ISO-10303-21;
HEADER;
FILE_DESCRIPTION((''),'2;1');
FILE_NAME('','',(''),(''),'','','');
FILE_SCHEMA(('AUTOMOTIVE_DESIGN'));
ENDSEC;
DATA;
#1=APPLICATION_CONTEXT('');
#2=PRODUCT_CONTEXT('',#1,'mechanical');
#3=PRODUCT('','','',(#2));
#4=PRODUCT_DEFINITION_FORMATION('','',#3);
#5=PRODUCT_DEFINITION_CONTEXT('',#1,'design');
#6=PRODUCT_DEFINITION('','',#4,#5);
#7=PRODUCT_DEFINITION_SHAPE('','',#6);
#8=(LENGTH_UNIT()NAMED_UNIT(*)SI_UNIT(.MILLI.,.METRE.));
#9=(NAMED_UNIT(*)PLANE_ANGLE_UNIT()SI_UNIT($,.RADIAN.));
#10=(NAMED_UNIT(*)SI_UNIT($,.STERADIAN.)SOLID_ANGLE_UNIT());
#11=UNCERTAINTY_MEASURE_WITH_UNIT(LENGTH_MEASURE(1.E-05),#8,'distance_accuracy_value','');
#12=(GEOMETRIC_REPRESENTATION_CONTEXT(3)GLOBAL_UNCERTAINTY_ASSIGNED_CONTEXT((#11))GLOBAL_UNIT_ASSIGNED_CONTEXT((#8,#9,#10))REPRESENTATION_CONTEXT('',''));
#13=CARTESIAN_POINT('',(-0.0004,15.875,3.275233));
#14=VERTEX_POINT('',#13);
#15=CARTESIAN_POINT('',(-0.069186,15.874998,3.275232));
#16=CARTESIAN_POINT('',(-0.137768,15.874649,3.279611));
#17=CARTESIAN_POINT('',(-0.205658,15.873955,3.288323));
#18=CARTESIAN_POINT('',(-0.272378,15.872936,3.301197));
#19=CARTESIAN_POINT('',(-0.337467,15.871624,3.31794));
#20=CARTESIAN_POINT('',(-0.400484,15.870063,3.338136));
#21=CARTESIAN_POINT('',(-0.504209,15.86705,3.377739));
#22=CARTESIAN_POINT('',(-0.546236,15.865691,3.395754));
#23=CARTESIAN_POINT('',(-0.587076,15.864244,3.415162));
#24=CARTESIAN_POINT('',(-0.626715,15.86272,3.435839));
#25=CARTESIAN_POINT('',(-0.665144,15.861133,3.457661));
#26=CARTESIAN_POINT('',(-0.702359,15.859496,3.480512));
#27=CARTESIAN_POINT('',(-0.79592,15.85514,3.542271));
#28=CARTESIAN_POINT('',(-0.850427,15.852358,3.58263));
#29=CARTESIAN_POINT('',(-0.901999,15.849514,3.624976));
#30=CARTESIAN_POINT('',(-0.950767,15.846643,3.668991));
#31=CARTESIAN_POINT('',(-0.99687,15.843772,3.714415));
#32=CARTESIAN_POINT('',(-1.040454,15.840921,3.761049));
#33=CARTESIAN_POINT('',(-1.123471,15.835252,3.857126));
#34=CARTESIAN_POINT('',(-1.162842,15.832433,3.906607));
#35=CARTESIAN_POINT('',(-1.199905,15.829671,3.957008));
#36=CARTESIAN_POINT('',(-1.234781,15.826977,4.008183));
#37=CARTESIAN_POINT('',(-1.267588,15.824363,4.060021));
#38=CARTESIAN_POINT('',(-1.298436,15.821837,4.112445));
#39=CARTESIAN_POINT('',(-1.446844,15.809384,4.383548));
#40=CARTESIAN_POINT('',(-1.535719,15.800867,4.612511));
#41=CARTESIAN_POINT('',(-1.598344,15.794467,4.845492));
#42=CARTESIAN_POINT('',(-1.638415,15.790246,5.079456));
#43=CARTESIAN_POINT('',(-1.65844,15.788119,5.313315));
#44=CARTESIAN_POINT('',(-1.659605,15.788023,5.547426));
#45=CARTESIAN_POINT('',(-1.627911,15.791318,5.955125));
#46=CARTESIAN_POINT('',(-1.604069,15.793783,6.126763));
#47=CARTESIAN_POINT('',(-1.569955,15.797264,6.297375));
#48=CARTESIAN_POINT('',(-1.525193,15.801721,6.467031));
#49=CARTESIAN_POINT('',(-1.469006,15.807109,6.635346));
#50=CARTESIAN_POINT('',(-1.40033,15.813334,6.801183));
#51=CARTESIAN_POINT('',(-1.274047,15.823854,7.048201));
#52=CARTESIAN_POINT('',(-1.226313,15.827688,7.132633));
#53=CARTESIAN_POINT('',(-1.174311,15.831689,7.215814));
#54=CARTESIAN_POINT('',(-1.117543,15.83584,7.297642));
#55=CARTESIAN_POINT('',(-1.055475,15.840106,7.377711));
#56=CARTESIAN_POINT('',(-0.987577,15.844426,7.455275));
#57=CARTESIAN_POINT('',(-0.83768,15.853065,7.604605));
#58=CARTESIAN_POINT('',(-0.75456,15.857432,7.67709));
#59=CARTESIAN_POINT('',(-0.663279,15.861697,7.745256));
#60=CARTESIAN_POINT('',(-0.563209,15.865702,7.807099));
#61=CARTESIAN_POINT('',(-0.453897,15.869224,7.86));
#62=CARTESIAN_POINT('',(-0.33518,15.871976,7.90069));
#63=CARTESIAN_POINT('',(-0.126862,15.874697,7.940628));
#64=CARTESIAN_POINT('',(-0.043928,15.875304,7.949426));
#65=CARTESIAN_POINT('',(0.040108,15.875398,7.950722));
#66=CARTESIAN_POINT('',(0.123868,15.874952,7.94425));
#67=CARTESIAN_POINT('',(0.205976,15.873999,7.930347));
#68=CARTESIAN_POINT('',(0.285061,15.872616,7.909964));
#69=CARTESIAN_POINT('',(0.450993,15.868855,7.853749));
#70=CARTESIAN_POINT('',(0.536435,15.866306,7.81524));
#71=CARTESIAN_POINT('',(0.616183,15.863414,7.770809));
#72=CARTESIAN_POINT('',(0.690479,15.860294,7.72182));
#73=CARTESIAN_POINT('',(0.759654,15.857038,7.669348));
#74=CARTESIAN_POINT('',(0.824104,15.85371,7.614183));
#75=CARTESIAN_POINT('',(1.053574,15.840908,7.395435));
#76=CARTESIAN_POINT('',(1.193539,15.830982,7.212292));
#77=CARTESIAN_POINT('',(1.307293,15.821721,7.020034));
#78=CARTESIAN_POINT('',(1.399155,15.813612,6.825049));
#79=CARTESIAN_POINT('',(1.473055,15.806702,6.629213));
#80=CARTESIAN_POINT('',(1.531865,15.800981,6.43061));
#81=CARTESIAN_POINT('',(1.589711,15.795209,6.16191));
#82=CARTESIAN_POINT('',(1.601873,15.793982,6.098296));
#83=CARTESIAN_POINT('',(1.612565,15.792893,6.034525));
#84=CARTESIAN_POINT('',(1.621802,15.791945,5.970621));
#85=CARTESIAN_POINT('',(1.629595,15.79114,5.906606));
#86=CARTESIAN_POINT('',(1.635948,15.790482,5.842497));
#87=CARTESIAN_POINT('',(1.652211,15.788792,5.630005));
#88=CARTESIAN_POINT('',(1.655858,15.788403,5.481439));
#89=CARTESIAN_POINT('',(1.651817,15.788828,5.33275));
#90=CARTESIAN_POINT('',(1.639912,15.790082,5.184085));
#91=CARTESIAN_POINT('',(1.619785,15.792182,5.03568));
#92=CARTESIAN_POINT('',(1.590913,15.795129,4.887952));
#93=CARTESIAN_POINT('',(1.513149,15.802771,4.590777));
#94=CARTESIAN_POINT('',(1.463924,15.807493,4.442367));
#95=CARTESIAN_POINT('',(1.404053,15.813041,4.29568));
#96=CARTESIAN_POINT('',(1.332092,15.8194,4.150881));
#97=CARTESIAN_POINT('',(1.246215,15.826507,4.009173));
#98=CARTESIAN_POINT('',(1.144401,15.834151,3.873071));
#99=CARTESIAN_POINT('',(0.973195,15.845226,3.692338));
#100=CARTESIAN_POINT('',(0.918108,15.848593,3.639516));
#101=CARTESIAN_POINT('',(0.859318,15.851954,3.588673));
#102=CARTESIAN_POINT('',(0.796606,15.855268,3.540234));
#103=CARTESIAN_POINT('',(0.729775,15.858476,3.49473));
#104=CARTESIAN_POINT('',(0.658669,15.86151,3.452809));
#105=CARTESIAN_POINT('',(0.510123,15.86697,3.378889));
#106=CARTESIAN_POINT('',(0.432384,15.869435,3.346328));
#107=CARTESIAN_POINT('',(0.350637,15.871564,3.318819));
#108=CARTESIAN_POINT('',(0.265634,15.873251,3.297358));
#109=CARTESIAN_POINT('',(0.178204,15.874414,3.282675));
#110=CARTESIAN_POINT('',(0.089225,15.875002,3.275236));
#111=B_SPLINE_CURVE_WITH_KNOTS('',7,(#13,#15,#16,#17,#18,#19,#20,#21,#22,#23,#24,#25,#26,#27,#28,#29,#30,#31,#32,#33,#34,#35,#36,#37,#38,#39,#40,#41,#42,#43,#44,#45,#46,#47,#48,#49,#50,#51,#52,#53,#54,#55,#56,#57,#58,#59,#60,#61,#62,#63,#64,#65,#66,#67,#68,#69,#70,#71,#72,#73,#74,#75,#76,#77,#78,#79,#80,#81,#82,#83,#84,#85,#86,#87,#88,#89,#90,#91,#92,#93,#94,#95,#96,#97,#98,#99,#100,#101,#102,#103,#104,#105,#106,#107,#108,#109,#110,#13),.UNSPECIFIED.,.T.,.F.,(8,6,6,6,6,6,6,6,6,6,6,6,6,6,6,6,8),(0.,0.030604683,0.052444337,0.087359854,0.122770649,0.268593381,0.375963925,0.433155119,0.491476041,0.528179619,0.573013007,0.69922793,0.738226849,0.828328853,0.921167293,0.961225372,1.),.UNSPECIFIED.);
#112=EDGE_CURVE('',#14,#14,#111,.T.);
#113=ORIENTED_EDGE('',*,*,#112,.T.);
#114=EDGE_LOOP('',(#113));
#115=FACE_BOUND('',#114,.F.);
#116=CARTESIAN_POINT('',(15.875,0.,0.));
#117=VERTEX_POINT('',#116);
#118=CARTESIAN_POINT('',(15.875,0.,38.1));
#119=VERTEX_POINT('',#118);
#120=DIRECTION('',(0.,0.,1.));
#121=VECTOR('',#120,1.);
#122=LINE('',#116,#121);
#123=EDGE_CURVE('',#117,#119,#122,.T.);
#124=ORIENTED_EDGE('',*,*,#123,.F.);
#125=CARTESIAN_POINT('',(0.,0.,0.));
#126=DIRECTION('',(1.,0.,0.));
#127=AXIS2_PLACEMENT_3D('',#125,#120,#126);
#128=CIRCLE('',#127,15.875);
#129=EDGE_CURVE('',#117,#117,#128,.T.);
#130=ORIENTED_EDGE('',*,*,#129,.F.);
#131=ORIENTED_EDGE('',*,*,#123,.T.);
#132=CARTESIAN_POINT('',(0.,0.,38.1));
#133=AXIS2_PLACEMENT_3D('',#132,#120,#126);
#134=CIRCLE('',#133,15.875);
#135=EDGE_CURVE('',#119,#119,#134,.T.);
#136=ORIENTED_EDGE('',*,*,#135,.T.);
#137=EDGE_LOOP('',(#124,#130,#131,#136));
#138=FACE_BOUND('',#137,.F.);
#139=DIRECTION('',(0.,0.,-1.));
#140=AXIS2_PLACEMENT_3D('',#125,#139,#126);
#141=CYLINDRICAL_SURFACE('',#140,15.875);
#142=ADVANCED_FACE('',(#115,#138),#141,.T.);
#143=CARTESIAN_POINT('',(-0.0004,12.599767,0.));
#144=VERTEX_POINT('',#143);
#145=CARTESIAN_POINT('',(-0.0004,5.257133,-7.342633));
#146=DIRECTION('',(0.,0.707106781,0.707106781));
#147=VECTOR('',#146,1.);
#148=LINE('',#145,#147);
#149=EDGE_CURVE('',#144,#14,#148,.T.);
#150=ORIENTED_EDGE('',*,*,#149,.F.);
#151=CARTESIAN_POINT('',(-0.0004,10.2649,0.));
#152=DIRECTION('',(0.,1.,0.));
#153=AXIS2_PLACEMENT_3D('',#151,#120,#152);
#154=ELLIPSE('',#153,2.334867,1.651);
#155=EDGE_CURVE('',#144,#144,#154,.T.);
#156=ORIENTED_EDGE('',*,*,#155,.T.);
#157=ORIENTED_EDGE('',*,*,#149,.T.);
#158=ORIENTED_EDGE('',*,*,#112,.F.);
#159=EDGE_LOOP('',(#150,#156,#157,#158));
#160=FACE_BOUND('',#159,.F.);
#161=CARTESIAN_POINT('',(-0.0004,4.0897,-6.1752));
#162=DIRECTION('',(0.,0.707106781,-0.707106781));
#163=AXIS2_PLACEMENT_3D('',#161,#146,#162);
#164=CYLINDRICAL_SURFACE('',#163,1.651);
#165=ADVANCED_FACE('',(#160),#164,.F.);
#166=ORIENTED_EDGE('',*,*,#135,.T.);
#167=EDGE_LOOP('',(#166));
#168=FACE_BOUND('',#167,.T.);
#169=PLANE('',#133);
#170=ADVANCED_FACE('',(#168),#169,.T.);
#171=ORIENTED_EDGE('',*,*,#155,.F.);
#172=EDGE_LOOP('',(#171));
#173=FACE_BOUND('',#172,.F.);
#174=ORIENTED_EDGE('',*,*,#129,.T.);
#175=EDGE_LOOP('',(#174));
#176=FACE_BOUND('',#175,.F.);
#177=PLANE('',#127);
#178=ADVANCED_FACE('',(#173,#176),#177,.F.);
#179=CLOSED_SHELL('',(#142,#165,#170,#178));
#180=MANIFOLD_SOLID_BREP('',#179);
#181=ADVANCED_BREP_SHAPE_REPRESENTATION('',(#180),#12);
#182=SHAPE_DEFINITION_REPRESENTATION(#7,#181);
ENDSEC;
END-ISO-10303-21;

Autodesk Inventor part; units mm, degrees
ref_plane "YZ Plane" through (0, 0, 0) normal (1, 0, 0) x (0, 1, 0)
ref_plane "XY Plane" through (0, 0, 0) normal (0, 0, 1) x (1, 0, 0)
sketch "Sketch1" plane through (0, 0, 0) normal (0, 0, 1) x (1, 0, 0)
  circle A0 centre (0, 0) radius 15.875
  dimension "d0" = 31.75
extrude "Extrusion1" add sketch "Sketch1" along normal blind 38.1
ref_plane "Work Plane2" through (0, 15.875, 0) normal (0, 1, 0) x (-1, 0, 0)
sketch "Sketch4" plane through (0, 15.875, 0) normal (0, 1, 0) x (-1, 0, 0)
  circle A0 centre (0, 7.62) radius 1.4605
  point P0 (0, 0)
  dimension "d6" = 2.921
  dimension "d7" = 7.62
sketch "Sketch5" plane through (0, 0, 0) normal (0, 0, -1) x (-1, 0, 0)
  circle A0 centre (0, 0) radius 15.875 projected
  circle A1 centre (0, 8.255) radius 1.4605
  line L0 (0, 15.875) -> (14.2875, 15.875)
  dimension "d8" = 2.921
  dimension "d9" = 7.62
ref_plane "Work Plane3" through (0, 15.875, 0) normal (0, 0.7071, 0.7071) x (-1, 0, 0)
sketch "Sketch6" plane through (0, 15.875, 0) normal (0, 0.7071, 0.7071) x (-1, 0, 0)
  circle A0 centre (0, 3.9683) radius 1.5875
  point P0 (0, 11.2253)
  dimension "d11" = 3.175
extrude "Extrusion2" add sketch "Sketch6" along normal mid plane 25.4
sketch "Sketch7" plane through (0, 4.0887, -6.1742) normal (0, -0.7071, -0.7071) x (-1, 0, 0)
  circle A0 centre (0, 0) radius 1.5875 projected
  circle A1 centre (0, 0) radius 1.5875 projected
  point P0 (0, -7.257)
hole "Hole1" at (-0.0004, 4.0897, -6.1752) direction (0, 0.7071, 0.7071) diameter 3.302 depth 25.4 tip angle 118
properties part number "Aluminum"
